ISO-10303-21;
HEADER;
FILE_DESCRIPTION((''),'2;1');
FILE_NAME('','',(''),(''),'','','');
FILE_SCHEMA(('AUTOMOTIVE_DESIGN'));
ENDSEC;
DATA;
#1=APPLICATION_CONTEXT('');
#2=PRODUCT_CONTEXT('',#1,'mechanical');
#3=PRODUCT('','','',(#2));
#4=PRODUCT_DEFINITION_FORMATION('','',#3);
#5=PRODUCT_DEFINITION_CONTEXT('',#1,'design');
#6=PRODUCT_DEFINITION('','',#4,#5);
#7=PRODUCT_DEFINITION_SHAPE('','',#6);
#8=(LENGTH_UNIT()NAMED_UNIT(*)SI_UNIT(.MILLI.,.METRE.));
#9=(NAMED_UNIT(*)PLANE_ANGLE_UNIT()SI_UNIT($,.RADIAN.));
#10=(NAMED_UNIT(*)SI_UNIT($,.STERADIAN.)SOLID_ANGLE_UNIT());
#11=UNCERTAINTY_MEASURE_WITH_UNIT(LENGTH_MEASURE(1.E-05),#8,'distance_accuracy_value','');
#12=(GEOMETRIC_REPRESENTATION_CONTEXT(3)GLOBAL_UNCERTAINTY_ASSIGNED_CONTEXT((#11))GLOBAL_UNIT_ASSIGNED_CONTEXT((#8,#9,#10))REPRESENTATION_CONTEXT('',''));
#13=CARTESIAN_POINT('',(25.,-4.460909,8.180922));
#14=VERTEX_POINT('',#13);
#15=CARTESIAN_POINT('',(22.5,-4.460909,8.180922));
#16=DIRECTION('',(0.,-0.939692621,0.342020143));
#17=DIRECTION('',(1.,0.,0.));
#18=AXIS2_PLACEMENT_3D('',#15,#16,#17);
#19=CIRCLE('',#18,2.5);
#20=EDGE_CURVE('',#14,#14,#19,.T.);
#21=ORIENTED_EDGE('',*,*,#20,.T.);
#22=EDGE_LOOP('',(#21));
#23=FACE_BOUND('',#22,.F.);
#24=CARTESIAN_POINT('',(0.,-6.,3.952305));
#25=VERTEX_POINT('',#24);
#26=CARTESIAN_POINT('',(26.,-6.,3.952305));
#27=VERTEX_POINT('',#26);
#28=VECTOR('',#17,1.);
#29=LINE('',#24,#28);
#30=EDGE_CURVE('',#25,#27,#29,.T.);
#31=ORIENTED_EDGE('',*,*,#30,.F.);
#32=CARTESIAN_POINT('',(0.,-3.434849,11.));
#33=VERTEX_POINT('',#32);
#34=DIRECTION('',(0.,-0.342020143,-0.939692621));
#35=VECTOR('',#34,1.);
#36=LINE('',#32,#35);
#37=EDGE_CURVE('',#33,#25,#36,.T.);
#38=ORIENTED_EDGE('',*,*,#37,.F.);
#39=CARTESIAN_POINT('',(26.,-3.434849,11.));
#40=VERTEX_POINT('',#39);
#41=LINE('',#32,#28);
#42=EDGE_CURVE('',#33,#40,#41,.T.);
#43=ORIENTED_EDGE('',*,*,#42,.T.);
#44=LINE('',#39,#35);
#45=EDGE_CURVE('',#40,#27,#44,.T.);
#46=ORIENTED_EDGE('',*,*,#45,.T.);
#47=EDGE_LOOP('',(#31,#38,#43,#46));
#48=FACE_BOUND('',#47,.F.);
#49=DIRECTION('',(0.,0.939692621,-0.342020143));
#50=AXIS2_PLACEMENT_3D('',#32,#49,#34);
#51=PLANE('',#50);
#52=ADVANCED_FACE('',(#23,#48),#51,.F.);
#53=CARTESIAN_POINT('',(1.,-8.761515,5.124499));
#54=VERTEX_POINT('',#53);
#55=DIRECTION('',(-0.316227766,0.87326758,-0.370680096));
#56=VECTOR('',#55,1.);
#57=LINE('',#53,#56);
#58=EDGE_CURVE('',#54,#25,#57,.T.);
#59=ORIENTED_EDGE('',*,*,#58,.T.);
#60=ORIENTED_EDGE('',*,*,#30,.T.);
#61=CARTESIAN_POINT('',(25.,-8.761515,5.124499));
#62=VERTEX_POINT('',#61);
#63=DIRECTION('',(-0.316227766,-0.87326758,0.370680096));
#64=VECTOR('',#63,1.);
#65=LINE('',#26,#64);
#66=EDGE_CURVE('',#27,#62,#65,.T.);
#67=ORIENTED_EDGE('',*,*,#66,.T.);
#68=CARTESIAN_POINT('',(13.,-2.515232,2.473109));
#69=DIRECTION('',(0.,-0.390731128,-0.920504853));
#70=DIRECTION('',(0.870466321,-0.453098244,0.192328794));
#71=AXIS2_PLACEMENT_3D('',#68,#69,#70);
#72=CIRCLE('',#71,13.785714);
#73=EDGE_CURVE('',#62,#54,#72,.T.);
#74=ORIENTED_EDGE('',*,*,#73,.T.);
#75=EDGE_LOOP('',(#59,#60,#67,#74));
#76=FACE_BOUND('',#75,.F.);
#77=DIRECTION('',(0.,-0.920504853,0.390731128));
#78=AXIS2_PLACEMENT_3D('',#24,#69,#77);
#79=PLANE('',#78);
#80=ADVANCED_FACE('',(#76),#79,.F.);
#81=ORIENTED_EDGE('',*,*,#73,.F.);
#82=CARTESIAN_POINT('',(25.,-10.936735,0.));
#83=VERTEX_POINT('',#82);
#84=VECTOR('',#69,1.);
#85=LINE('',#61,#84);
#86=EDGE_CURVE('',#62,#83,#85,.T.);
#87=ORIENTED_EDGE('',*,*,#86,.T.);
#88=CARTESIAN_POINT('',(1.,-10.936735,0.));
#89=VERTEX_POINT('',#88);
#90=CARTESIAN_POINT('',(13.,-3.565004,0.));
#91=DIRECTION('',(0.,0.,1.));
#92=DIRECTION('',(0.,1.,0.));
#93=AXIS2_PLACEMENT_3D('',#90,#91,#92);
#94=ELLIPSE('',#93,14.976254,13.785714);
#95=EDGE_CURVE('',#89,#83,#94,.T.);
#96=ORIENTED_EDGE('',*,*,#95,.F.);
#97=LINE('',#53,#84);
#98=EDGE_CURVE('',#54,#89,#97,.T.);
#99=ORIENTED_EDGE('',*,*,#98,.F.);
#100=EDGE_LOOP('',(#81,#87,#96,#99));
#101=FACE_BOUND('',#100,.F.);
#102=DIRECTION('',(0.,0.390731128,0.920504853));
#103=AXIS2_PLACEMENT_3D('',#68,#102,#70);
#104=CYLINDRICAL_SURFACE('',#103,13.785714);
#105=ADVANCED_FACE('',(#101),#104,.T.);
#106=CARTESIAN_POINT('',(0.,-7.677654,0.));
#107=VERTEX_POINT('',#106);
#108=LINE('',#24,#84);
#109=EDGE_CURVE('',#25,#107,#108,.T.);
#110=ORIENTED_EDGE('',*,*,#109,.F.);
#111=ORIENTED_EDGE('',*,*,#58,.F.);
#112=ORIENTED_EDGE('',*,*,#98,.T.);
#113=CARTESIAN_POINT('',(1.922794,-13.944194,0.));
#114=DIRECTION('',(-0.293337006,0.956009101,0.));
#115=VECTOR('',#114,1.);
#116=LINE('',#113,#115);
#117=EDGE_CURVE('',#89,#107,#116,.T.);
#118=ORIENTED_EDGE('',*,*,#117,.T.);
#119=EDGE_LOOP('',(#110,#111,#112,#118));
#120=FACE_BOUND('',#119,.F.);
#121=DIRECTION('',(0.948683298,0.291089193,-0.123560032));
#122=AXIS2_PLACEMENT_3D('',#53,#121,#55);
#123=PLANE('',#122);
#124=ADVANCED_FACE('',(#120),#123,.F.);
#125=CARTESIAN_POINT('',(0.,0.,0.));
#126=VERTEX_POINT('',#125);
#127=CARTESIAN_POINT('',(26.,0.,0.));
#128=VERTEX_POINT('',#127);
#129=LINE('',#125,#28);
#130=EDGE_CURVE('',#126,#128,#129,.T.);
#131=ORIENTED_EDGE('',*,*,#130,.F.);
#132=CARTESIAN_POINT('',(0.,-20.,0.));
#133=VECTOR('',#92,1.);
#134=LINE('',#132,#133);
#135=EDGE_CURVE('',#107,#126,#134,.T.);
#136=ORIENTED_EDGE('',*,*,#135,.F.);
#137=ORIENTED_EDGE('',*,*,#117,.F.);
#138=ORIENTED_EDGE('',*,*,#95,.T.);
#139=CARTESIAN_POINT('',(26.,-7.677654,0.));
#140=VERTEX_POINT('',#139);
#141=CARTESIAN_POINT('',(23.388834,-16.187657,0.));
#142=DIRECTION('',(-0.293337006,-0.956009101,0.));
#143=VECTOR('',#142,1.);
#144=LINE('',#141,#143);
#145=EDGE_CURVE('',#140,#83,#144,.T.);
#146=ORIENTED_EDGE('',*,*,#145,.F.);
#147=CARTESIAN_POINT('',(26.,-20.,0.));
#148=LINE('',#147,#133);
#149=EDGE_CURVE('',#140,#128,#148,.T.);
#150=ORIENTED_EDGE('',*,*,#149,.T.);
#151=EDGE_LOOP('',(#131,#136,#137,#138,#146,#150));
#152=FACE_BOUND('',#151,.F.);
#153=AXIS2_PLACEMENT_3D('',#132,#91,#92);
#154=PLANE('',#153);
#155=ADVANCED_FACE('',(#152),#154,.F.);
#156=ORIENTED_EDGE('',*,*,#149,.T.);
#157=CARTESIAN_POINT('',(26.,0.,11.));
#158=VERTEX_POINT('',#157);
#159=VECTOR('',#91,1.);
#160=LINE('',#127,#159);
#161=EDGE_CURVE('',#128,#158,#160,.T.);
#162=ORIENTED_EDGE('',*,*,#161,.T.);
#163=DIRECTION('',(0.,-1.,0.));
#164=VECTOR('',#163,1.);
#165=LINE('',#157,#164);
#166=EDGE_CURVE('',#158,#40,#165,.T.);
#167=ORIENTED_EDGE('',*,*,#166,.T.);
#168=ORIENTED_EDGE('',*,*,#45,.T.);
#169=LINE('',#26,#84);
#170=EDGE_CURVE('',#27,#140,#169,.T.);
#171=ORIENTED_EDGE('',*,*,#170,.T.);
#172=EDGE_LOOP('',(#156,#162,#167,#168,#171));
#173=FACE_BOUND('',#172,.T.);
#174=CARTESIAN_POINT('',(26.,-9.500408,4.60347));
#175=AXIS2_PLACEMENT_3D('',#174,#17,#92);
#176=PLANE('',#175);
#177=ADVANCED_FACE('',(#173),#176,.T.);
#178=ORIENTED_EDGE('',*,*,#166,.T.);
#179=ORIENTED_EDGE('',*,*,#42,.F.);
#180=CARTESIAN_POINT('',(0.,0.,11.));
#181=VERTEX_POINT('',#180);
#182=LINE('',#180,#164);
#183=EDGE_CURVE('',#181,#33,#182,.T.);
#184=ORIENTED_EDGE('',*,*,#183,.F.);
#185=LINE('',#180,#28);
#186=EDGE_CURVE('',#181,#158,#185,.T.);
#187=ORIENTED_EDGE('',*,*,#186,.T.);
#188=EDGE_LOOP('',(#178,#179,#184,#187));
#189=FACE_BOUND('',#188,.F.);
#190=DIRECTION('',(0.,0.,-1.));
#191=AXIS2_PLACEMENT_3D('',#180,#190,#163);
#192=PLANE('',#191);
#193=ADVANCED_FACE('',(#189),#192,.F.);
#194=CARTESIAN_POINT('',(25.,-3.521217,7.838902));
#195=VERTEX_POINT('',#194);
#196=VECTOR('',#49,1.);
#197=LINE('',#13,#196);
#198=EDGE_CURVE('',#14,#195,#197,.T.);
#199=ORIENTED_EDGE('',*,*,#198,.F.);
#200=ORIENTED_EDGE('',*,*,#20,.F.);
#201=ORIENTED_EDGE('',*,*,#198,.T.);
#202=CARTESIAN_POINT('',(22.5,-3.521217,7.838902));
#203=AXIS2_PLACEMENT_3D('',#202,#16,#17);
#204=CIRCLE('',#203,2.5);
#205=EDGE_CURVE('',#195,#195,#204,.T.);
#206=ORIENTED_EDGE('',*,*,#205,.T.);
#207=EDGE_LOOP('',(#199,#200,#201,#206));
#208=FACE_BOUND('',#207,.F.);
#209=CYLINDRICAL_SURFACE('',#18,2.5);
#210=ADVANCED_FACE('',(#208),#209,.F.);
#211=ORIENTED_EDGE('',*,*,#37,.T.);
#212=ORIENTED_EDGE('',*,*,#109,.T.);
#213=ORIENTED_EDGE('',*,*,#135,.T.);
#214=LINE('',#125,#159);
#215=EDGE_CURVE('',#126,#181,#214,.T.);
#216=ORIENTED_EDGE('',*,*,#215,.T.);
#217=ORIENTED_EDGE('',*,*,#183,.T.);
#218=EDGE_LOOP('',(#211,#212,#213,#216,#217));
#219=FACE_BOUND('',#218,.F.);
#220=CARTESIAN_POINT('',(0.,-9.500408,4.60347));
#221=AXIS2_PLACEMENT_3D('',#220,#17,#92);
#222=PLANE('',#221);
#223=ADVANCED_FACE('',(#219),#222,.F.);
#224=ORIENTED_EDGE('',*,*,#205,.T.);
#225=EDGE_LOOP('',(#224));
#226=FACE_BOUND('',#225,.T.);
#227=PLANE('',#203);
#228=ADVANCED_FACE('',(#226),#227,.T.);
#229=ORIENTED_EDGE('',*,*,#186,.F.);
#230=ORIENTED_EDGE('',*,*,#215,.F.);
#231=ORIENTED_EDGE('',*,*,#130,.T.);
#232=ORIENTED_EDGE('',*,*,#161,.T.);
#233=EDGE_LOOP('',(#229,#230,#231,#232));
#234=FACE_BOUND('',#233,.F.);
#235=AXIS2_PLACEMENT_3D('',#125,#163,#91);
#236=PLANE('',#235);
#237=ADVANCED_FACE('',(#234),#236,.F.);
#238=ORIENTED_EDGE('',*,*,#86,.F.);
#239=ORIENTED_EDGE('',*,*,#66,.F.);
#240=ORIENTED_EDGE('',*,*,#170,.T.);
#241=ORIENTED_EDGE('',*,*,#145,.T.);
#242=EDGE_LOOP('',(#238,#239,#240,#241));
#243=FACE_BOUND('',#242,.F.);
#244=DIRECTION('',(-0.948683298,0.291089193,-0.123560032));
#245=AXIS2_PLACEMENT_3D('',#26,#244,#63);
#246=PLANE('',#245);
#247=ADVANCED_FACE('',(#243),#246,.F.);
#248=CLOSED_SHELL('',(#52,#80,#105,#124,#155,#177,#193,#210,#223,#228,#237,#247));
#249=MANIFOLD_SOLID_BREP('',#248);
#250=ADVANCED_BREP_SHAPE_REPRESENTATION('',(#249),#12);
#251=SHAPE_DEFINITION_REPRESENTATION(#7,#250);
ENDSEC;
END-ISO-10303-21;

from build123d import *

# Parameters (mm, degrees)
F1_DEPTH = 26
F2_R     = 2.5
F3_DEPTH = 1
F5_DEPTH = 9.1093520504


with BuildPart() as f1:
    # F0 (on Right) → F1 (new body)
    with BuildSketch(Plane.YZ):
        Polygon((0, 0), (0, 11), (-3.4348489251, 11), (-6, 3.9523053441), (-20, 9.894952771), (-20, 0), align=None)
    extrude(amount=F1_DEPTH)

    # F2 (on face) → F3 (cut)
    with BuildSketch(Plane(origin=(0, -6.5683797818, 2.3906947279), x_dir=(1, 0, 0), z_dir=(0, -0.9396926208, 0.3420201433))):
        with Locations((22.5, 6.161831307)):
            Circle(F2_R)
    extrude(amount=-F3_DEPTH, mode=Mode.SUBTRACT)

    # F4 (on face) → F5 (cut, through all)
    with BuildSketch(Plane(origin=(0, 0.5055003799, 1.190884266), x_dir=(1, 0, 0), z_dir=(0, 0.3907311285, 0.9205048535))):
        with BuildLine():
            Line((26, -7.067317848), (25, -10.067317848))
            ThreePointArc((25, -10.067317848), (13, -17.067317848), (1, -10.067317848))
            Line((1, -10.067317848), (0, -7.067317848))
            Line((0, -7.067317848), (0, -22.2763631316))
            Line((0, -22.2763631316), (26, -22.2763631316))
            Line((26, -22.2763631316), (26, -7.067317848))
        make_face()
    extrude(amount=-F5_DEPTH, mode=Mode.SUBTRACT)


solid = f1.part
